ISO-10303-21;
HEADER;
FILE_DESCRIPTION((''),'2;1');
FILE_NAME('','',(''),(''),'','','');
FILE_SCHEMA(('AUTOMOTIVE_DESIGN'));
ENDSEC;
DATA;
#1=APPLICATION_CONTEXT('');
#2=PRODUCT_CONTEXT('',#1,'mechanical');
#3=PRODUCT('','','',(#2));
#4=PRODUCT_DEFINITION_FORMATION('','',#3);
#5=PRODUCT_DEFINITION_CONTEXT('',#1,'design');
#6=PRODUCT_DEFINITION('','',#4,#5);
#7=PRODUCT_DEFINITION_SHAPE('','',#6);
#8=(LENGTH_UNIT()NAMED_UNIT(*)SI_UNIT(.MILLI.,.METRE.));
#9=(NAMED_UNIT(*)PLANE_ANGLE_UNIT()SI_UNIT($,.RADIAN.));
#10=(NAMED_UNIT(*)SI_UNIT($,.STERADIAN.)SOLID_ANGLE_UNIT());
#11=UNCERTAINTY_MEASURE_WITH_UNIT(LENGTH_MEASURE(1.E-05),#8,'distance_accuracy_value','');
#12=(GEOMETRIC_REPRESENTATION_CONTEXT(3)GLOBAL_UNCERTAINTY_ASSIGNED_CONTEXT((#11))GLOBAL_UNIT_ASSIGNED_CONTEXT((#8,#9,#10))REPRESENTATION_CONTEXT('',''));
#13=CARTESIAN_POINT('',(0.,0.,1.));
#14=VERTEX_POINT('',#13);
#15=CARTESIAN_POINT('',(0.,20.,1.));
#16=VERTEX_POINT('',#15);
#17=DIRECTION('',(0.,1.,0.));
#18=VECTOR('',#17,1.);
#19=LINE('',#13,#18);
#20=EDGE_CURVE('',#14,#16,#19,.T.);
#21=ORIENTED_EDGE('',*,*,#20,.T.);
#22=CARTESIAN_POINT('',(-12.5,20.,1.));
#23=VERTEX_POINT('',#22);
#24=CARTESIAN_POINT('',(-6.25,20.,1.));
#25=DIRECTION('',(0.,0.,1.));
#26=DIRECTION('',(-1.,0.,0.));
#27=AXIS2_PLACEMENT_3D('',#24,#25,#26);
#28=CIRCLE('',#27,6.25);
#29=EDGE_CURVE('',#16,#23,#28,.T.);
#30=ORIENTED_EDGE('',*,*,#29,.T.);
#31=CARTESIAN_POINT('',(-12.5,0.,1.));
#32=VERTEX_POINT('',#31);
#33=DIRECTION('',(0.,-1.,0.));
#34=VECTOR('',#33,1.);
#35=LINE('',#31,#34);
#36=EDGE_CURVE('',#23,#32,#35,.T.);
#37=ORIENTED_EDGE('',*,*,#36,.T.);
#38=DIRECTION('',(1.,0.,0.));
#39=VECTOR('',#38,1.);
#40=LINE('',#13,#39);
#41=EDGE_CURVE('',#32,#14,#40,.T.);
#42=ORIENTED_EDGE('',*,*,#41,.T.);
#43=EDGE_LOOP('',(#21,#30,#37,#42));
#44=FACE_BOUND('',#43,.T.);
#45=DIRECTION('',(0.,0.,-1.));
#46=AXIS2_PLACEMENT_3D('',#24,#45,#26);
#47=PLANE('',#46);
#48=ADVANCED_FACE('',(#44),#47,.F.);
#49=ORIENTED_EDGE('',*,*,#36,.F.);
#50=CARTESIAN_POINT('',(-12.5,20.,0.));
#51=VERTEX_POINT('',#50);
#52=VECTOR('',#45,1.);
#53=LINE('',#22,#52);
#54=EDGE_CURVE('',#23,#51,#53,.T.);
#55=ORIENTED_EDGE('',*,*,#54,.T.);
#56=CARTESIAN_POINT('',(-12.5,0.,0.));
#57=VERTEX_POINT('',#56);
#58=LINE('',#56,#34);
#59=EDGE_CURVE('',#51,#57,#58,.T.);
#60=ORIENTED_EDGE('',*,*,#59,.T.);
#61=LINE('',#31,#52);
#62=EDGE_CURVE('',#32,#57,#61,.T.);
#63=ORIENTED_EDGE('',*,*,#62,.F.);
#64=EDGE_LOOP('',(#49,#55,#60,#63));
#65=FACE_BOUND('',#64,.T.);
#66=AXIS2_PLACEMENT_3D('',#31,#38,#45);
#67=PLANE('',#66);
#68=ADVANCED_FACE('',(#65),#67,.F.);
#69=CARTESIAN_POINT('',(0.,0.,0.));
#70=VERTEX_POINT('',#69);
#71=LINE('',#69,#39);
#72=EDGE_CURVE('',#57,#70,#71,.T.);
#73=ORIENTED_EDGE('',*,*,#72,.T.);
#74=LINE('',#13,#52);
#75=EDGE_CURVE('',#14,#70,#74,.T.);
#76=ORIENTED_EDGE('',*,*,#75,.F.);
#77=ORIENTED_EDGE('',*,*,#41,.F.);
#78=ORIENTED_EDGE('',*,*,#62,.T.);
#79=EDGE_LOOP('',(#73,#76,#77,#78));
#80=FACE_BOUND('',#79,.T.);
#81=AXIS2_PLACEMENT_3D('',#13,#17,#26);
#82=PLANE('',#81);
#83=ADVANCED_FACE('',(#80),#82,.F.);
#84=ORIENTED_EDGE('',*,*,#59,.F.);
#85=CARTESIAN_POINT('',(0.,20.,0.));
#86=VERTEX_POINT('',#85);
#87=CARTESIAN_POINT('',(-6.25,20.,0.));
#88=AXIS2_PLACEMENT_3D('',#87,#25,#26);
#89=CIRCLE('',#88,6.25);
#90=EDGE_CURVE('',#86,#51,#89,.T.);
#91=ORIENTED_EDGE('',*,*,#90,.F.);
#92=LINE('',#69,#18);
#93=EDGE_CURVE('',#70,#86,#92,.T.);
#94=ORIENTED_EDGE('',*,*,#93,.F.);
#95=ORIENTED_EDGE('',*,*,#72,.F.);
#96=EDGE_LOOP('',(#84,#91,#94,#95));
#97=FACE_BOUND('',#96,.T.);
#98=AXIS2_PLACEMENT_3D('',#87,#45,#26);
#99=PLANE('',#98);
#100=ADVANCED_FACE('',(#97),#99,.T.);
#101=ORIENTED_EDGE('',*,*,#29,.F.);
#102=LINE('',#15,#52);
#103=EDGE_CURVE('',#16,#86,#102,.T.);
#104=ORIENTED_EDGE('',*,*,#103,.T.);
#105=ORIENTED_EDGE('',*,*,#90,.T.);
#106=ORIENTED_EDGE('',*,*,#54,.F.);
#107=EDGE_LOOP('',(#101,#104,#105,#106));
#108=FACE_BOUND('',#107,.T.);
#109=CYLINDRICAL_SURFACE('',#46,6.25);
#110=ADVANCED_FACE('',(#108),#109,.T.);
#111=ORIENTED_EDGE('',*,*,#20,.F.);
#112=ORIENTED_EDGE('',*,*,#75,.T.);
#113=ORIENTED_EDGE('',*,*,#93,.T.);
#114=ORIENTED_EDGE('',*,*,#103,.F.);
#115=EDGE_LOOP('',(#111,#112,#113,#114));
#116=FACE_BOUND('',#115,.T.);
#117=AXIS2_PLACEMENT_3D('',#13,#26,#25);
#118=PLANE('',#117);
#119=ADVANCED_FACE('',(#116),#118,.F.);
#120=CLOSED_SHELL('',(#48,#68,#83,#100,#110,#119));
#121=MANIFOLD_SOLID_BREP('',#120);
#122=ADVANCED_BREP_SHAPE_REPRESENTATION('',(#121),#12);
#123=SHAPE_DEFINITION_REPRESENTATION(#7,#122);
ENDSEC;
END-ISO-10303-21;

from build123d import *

# Parameters (mm, degrees)
BOSS_EXTRUDE1_DEPTH = 1


with BuildPart() as part:
    # Sketch1 → Boss-Extrude1 (new body)
    with BuildSketch(Plane.XY):
        with BuildLine():
            Line((0, 0), (-12.5, 0))
            Line((-12.5, 0), (-12.5, 20))
            ThreePointArc((-12.5, 20), (-6.25, 26.25), (0, 20))
            Line((0, 20), (0, 0))
        make_face()
    extrude(amount=BOSS_EXTRUDE1_DEPTH)


solid = part.part
